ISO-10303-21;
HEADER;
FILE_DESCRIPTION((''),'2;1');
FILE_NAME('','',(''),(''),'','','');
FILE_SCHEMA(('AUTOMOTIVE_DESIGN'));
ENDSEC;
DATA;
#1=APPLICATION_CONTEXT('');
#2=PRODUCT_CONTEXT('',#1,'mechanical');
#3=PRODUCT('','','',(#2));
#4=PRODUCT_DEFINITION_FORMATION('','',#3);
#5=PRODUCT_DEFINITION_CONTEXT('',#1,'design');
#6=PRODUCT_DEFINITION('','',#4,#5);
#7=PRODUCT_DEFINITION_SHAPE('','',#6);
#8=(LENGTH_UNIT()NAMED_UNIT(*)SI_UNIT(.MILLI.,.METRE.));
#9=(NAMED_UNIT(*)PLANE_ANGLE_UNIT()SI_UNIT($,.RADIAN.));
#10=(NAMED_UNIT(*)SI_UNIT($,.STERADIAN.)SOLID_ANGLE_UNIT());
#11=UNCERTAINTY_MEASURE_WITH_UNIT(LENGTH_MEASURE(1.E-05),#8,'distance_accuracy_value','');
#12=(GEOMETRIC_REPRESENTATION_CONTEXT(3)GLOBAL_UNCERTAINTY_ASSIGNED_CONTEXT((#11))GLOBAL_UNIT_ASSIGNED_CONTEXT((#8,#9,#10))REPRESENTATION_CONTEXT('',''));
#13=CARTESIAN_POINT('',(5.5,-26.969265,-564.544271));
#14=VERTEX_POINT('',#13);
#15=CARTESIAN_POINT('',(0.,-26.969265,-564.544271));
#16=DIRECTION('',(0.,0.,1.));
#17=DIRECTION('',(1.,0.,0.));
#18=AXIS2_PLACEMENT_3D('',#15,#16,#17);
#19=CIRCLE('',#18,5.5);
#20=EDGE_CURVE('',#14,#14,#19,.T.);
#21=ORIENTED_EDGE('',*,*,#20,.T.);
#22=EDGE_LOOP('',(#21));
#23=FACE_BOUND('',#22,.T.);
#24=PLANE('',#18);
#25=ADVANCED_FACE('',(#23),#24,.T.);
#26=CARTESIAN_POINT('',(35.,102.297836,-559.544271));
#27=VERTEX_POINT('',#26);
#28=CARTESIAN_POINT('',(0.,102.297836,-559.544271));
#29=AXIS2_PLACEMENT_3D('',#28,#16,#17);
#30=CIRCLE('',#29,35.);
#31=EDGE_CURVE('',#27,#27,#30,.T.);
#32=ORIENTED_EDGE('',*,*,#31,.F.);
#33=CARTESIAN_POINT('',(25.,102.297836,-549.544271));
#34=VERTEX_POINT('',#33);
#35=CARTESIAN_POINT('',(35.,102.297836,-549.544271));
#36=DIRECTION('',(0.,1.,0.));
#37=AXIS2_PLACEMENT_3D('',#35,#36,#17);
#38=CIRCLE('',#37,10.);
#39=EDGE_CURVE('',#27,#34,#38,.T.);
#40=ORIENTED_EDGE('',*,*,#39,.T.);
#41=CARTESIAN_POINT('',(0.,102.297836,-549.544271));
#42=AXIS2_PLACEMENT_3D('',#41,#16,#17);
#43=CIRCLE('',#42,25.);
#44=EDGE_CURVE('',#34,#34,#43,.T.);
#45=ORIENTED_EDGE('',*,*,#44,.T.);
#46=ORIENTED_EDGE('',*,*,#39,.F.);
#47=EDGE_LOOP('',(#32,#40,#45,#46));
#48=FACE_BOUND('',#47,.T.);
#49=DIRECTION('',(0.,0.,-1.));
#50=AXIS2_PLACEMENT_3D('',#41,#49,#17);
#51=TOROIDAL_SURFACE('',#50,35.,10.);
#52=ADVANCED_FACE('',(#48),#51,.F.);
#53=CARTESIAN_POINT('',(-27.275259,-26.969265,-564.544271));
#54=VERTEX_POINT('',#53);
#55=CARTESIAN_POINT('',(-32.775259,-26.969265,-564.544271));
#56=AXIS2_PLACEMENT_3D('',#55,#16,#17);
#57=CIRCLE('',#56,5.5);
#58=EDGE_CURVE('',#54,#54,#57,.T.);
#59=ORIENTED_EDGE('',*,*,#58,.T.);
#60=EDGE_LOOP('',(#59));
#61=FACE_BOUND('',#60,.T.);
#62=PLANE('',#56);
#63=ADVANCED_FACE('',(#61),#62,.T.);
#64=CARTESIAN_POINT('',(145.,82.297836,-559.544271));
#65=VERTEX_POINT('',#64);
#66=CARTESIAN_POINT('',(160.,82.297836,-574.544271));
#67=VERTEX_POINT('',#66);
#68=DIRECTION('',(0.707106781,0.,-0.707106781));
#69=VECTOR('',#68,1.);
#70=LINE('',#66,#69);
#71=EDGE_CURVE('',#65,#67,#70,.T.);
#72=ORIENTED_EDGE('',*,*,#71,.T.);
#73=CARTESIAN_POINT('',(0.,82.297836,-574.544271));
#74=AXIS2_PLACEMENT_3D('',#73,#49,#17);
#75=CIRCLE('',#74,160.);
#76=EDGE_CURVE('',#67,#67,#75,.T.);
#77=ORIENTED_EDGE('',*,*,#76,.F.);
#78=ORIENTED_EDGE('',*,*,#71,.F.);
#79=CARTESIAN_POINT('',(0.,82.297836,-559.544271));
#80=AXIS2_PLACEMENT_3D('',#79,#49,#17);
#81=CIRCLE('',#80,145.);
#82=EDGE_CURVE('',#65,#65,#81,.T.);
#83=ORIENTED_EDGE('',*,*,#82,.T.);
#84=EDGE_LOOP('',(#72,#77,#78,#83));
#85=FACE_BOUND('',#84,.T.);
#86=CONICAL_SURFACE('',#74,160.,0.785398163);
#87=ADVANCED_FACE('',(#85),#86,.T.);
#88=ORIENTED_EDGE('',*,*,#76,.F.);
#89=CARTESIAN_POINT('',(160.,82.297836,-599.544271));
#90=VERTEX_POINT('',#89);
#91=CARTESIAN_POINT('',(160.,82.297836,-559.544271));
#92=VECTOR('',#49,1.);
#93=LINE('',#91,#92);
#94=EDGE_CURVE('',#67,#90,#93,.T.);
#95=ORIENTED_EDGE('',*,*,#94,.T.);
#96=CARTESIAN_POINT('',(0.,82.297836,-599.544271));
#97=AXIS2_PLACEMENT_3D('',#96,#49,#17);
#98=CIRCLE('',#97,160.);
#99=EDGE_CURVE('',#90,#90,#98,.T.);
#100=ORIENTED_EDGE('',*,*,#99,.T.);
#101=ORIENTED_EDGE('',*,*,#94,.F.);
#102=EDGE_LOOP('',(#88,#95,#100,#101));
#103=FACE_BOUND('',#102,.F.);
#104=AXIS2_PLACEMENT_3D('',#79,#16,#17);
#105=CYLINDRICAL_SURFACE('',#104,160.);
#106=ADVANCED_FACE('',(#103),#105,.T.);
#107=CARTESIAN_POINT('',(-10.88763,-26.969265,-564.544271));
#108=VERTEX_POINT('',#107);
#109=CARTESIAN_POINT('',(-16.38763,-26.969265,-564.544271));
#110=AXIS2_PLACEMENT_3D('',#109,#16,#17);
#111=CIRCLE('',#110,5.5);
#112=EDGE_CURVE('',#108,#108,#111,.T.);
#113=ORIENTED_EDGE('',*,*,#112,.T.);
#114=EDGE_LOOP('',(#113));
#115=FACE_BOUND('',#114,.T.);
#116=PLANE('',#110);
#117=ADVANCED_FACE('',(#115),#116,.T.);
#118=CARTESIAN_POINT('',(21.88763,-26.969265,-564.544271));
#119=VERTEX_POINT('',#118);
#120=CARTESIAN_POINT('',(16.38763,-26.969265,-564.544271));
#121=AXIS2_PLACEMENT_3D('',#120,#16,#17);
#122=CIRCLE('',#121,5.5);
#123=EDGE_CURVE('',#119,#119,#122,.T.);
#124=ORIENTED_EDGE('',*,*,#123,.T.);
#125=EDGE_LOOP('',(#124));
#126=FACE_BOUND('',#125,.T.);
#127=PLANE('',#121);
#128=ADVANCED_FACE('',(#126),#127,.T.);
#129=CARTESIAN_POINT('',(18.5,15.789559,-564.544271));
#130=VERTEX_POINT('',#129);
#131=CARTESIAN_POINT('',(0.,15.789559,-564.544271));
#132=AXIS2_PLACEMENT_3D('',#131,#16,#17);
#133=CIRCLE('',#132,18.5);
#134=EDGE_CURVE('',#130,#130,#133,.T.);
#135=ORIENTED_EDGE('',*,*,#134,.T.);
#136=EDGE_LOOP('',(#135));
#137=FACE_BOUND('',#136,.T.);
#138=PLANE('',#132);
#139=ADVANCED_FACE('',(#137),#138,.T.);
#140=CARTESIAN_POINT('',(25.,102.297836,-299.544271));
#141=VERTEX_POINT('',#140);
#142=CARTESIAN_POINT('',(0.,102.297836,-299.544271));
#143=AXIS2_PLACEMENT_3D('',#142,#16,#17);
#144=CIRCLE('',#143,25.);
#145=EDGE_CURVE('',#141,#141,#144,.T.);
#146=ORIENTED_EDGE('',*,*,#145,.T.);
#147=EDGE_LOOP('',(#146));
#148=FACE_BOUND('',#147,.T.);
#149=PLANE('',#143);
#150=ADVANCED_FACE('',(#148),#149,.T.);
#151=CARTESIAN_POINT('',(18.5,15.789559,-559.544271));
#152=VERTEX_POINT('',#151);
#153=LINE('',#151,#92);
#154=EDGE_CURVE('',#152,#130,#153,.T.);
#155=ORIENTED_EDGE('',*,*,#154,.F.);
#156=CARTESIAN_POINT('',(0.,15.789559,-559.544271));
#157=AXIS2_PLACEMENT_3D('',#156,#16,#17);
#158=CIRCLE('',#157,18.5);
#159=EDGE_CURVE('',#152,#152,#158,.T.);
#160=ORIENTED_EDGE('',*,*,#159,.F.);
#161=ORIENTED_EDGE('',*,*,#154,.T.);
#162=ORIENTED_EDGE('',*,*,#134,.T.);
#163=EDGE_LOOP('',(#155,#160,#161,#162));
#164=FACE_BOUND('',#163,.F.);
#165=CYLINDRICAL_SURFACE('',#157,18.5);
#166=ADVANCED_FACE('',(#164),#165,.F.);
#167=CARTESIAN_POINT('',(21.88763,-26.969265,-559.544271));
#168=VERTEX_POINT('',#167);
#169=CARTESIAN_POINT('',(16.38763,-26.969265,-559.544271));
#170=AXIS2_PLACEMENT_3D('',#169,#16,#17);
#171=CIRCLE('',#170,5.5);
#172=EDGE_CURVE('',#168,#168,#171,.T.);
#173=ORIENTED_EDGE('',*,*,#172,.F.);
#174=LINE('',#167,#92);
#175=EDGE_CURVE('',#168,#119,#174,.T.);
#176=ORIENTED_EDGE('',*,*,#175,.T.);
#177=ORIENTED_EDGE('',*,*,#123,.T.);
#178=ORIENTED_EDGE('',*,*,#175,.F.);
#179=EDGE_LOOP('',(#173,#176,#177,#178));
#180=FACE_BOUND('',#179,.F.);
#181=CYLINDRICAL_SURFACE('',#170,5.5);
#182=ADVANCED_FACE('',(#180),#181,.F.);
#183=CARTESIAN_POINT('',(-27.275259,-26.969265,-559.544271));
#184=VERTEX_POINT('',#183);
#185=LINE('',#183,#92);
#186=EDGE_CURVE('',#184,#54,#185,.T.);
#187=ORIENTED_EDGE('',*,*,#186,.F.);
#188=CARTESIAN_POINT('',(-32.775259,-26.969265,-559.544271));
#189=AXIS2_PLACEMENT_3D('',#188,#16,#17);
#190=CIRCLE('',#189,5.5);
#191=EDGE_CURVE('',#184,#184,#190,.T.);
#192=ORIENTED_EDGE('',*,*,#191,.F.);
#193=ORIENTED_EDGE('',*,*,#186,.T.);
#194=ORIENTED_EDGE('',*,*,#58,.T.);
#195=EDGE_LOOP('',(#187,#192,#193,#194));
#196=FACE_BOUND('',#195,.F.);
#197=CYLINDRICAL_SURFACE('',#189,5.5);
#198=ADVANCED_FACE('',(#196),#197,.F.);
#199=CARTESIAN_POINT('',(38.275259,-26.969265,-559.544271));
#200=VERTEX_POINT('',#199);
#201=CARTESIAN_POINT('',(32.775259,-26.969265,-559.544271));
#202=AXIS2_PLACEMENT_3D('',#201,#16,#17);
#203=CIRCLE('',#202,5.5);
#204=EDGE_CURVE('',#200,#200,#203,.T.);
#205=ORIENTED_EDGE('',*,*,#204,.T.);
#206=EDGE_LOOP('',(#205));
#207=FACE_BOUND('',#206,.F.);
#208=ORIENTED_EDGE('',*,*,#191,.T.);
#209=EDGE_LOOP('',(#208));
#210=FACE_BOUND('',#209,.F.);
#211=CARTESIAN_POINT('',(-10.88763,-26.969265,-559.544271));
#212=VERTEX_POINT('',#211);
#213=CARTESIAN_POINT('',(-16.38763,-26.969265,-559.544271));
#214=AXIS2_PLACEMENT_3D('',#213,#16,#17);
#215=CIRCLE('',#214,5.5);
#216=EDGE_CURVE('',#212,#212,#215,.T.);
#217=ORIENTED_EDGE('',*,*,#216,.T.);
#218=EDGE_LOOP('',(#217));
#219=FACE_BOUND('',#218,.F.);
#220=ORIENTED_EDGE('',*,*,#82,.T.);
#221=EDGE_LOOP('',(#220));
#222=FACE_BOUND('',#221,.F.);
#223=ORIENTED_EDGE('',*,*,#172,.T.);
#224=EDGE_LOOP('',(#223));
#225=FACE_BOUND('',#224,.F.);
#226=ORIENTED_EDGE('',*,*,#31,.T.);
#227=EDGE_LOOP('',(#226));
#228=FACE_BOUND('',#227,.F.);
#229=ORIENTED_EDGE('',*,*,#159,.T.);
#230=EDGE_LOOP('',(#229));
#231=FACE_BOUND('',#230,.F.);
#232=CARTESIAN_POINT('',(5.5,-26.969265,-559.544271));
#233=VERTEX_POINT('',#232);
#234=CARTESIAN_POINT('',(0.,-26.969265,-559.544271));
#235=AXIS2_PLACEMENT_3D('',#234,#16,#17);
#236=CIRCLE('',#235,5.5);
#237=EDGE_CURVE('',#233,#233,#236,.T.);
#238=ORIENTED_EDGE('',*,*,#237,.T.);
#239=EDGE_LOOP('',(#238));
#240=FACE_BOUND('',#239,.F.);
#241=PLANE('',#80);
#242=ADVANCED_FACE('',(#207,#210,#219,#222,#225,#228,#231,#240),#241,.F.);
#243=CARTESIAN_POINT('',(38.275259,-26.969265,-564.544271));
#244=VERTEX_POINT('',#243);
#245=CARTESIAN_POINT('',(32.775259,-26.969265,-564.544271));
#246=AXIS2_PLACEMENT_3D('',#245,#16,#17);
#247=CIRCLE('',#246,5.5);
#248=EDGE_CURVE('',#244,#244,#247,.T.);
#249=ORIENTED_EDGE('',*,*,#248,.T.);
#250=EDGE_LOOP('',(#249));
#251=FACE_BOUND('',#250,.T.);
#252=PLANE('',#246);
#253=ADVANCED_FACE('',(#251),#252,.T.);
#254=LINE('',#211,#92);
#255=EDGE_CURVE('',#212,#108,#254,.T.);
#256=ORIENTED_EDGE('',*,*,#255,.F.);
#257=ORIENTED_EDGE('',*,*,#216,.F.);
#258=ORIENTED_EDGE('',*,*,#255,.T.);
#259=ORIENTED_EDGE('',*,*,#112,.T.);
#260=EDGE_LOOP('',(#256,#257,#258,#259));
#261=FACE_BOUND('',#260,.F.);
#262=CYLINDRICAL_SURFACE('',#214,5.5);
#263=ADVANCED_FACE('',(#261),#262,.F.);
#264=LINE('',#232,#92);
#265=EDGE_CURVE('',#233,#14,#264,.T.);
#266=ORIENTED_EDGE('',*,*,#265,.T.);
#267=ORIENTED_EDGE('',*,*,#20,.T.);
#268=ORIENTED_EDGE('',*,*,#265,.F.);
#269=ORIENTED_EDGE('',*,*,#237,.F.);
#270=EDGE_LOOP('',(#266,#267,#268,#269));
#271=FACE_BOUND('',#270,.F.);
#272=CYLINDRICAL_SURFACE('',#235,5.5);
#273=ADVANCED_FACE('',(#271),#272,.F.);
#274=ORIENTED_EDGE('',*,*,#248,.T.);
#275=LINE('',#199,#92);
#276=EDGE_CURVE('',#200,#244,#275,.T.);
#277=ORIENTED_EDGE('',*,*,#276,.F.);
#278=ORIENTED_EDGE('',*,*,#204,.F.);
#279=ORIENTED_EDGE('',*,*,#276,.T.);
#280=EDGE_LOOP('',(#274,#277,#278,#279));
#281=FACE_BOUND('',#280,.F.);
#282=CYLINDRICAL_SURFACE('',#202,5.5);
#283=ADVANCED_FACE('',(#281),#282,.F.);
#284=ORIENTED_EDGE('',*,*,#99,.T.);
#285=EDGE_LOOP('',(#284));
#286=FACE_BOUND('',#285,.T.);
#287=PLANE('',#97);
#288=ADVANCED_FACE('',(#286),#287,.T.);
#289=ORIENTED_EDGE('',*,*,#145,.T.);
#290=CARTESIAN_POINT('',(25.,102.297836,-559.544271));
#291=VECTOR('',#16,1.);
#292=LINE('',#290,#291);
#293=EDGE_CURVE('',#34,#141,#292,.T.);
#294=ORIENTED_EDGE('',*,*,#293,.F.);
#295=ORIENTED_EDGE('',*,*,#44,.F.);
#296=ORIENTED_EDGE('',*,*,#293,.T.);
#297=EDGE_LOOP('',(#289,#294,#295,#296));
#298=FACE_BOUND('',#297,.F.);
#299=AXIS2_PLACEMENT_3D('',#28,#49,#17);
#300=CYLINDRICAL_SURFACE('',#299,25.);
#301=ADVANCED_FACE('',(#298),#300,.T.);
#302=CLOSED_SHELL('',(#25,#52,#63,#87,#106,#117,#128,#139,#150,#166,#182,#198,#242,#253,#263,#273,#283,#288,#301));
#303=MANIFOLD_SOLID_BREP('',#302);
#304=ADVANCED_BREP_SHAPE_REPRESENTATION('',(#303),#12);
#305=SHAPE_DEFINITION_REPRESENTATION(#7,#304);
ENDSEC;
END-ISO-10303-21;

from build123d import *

# Parameters (mm, degrees)
SKETCH034_R     = 160
PAD021_DEPTH    = 40
SKETCH035_R     = 25
PAD022_DEPTH    = 260
FILLET004_R     = 10
SKETCH036_R     = 18.5
SKETCH036_R_2   = 5.5
POCKET004_DEPTH = 5
SKETCH037_R     = 17.5
SKETCH037_R_2   = 5
PAD023_DEPTH    = 10
FILLET005_R     = 1
PAD024_DEPTH    = 5
FILLET006_R     = 0.5
FILLET007_R     = 1.5
FILLET008_R     = 0.5
CHAMFER001_SIZE = 15
SKETCH055_R     = 5
POCKET007_DEPTH = 10
SKETCH056_R     = 17.5
POCKET008_DEPTH = 15


with BuildPart() as part:
    # Sketch034 (on Face1 of CopyPad021) → Pad021 (new body)
    with BuildSketch(Plane(origin=(0, 0, -559.544271), x_dir=(1, 0, 0), z_dir=(0, 0, -1))):
        with Locations((0, -82.297836)):
            Circle(SKETCH034_R)
    extrude(amount=PAD021_DEPTH)

    # Sketch035 (on Face2 of Pad021) → Pad022 (join)
    with BuildSketch(Plane.XY.offset(-559.544271)):
        with Locations((0, 102.297836)):
            Circle(SKETCH035_R)
    extrude(amount=PAD022_DEPTH)

    # Fillet004
    fillet004_edges = [part.edges().sort_by_distance(p)[0] for p in [
        (-25, 102.297836, -559.544271),
    ]]
    fillet(fillet004_edges, radius=FILLET004_R)

    # Sketch036 (on Face1 of Fillet004) → Pocket004 (cut)
    with BuildSketch(Plane.XY.offset(-559.544271)):
        with Locations((0, 15.789559)):
            Circle(SKETCH036_R)
        with Locations((-32.775259, -26.969265)):
            Circle(SKETCH036_R_2)
        with Locations((-16.38763, -26.969265)):
            Circle(SKETCH036_R_2)
        with Locations((0, -26.969265)):
            Circle(SKETCH036_R_2)
        with Locations((16.38763, -26.969265)):
            Circle(SKETCH036_R_2)
        with Locations((32.775259, -26.969265)):
            Circle(SKETCH036_R_2)
    extrude(amount=-POCKET004_DEPTH, mode=Mode.SUBTRACT)

    # Sketch037 (on Face14 of Pocket004) → Pad023 (join)
    with BuildSketch(Plane.XY.offset(-564.544271)):
        with Locations((0, 15.789559)):
            Circle(SKETCH037_R)
        with Locations((-32.775259, -26.969265)):
            Circle(SKETCH037_R_2)
        with Locations((-16.38763, -26.969265)):
            Circle(SKETCH037_R_2)
        with Locations((0, -26.969265)):
            Circle(SKETCH037_R_2)
        with Locations((16.38763, -26.969265)):
            Circle(SKETCH037_R_2)
        with Locations((32.775259, -26.969265)):
            Circle(SKETCH037_R_2)
    extrude(amount=PAD023_DEPTH)

    # Fillet005
    fillet005_edges = [part.edges().sort_by_distance(p)[0] for p in [
        (-5, -26.969265, -554.544271),
        (11.38763, -26.969265, -554.544271),
        (27.775259, -26.969265, -554.544271),
        (-21.38763, -26.969265, -554.544271),
        (-37.775259, -26.969265, -554.544271),
    ]]
    fillet(fillet005_edges, radius=FILLET005_R)

    # Sketch038 (on Face29 of Fillet005) → Pad024 (join)
    with BuildSketch(Plane.XY.offset(-554.544271)):
        with BuildLine():
            ThreePointArc((3.946719, 28.587051), (0, 32.53377), (-3.946719, 28.587051))
            Line((-3.946719, 28.587051), (-3.946719, 2.992067))
            ThreePointArc((-3.946719, 2.992067), (0, -0.954652), (3.946719, 2.992067))
            Line((3.946719, 28.587051), (3.946719, 2.992067))
        make_face()
    extrude(amount=PAD024_DEPTH)

    # Fillet006
    fillet006_edges = [part.edges().sort_by_distance(p)[0] for p in [
        (-3.946719, 15.789559, -554.544271),
    ]]
    fillet(fillet006_edges, radius=FILLET006_R)

    # Fillet007
    fillet007_edges = [part.edges().sort_by_distance(p)[0] for p in [
        (-3.946719, 15.789559, -549.544271),
    ]]
    fillet(fillet007_edges, radius=FILLET007_R)

    # Fillet008
    fillet008_edges = [part.edges().sort_by_distance(p)[0] for p in [
        (-17.5, 15.789559, -554.544271),
    ]]
    fillet(fillet008_edges, radius=FILLET008_R)

    # Chamfer001
    chamfer001_edges = [part.edges().sort_by_distance(p)[0] for p in [
        (-160, 82.297836, -559.544271),
    ]]
    chamfer(chamfer001_edges, length=CHAMFER001_SIZE)

    # Sketch055 (on Face36 of Chamfer001) → Pocket007 (cut)
    with BuildSketch(Plane.XY.offset(-554.544271)):
        with Locations((-32.775259, -26.969265)):
            Circle(SKETCH055_R)
        with Locations((-16.38763, -26.969265)):
            Circle(SKETCH055_R)
        with Locations((0, -26.969265)):
            Circle(SKETCH055_R)
        with Locations((16.38763, -26.969265)):
            Circle(SKETCH055_R)
        with Locations((32.775259, -26.969265)):
            Circle(SKETCH055_R)
    extrude(amount=-POCKET007_DEPTH, mode=Mode.SUBTRACT)

    # Sketch056 (on Face30 of Pocket007) → Pocket008 (cut)
    with BuildSketch(Plane.XY.offset(-549.544271)):
        with Locations((0, 15.789559)):
            Circle(SKETCH056_R)
    extrude(amount=-POCKET008_DEPTH, mode=Mode.SUBTRACT)


solid = part.part
